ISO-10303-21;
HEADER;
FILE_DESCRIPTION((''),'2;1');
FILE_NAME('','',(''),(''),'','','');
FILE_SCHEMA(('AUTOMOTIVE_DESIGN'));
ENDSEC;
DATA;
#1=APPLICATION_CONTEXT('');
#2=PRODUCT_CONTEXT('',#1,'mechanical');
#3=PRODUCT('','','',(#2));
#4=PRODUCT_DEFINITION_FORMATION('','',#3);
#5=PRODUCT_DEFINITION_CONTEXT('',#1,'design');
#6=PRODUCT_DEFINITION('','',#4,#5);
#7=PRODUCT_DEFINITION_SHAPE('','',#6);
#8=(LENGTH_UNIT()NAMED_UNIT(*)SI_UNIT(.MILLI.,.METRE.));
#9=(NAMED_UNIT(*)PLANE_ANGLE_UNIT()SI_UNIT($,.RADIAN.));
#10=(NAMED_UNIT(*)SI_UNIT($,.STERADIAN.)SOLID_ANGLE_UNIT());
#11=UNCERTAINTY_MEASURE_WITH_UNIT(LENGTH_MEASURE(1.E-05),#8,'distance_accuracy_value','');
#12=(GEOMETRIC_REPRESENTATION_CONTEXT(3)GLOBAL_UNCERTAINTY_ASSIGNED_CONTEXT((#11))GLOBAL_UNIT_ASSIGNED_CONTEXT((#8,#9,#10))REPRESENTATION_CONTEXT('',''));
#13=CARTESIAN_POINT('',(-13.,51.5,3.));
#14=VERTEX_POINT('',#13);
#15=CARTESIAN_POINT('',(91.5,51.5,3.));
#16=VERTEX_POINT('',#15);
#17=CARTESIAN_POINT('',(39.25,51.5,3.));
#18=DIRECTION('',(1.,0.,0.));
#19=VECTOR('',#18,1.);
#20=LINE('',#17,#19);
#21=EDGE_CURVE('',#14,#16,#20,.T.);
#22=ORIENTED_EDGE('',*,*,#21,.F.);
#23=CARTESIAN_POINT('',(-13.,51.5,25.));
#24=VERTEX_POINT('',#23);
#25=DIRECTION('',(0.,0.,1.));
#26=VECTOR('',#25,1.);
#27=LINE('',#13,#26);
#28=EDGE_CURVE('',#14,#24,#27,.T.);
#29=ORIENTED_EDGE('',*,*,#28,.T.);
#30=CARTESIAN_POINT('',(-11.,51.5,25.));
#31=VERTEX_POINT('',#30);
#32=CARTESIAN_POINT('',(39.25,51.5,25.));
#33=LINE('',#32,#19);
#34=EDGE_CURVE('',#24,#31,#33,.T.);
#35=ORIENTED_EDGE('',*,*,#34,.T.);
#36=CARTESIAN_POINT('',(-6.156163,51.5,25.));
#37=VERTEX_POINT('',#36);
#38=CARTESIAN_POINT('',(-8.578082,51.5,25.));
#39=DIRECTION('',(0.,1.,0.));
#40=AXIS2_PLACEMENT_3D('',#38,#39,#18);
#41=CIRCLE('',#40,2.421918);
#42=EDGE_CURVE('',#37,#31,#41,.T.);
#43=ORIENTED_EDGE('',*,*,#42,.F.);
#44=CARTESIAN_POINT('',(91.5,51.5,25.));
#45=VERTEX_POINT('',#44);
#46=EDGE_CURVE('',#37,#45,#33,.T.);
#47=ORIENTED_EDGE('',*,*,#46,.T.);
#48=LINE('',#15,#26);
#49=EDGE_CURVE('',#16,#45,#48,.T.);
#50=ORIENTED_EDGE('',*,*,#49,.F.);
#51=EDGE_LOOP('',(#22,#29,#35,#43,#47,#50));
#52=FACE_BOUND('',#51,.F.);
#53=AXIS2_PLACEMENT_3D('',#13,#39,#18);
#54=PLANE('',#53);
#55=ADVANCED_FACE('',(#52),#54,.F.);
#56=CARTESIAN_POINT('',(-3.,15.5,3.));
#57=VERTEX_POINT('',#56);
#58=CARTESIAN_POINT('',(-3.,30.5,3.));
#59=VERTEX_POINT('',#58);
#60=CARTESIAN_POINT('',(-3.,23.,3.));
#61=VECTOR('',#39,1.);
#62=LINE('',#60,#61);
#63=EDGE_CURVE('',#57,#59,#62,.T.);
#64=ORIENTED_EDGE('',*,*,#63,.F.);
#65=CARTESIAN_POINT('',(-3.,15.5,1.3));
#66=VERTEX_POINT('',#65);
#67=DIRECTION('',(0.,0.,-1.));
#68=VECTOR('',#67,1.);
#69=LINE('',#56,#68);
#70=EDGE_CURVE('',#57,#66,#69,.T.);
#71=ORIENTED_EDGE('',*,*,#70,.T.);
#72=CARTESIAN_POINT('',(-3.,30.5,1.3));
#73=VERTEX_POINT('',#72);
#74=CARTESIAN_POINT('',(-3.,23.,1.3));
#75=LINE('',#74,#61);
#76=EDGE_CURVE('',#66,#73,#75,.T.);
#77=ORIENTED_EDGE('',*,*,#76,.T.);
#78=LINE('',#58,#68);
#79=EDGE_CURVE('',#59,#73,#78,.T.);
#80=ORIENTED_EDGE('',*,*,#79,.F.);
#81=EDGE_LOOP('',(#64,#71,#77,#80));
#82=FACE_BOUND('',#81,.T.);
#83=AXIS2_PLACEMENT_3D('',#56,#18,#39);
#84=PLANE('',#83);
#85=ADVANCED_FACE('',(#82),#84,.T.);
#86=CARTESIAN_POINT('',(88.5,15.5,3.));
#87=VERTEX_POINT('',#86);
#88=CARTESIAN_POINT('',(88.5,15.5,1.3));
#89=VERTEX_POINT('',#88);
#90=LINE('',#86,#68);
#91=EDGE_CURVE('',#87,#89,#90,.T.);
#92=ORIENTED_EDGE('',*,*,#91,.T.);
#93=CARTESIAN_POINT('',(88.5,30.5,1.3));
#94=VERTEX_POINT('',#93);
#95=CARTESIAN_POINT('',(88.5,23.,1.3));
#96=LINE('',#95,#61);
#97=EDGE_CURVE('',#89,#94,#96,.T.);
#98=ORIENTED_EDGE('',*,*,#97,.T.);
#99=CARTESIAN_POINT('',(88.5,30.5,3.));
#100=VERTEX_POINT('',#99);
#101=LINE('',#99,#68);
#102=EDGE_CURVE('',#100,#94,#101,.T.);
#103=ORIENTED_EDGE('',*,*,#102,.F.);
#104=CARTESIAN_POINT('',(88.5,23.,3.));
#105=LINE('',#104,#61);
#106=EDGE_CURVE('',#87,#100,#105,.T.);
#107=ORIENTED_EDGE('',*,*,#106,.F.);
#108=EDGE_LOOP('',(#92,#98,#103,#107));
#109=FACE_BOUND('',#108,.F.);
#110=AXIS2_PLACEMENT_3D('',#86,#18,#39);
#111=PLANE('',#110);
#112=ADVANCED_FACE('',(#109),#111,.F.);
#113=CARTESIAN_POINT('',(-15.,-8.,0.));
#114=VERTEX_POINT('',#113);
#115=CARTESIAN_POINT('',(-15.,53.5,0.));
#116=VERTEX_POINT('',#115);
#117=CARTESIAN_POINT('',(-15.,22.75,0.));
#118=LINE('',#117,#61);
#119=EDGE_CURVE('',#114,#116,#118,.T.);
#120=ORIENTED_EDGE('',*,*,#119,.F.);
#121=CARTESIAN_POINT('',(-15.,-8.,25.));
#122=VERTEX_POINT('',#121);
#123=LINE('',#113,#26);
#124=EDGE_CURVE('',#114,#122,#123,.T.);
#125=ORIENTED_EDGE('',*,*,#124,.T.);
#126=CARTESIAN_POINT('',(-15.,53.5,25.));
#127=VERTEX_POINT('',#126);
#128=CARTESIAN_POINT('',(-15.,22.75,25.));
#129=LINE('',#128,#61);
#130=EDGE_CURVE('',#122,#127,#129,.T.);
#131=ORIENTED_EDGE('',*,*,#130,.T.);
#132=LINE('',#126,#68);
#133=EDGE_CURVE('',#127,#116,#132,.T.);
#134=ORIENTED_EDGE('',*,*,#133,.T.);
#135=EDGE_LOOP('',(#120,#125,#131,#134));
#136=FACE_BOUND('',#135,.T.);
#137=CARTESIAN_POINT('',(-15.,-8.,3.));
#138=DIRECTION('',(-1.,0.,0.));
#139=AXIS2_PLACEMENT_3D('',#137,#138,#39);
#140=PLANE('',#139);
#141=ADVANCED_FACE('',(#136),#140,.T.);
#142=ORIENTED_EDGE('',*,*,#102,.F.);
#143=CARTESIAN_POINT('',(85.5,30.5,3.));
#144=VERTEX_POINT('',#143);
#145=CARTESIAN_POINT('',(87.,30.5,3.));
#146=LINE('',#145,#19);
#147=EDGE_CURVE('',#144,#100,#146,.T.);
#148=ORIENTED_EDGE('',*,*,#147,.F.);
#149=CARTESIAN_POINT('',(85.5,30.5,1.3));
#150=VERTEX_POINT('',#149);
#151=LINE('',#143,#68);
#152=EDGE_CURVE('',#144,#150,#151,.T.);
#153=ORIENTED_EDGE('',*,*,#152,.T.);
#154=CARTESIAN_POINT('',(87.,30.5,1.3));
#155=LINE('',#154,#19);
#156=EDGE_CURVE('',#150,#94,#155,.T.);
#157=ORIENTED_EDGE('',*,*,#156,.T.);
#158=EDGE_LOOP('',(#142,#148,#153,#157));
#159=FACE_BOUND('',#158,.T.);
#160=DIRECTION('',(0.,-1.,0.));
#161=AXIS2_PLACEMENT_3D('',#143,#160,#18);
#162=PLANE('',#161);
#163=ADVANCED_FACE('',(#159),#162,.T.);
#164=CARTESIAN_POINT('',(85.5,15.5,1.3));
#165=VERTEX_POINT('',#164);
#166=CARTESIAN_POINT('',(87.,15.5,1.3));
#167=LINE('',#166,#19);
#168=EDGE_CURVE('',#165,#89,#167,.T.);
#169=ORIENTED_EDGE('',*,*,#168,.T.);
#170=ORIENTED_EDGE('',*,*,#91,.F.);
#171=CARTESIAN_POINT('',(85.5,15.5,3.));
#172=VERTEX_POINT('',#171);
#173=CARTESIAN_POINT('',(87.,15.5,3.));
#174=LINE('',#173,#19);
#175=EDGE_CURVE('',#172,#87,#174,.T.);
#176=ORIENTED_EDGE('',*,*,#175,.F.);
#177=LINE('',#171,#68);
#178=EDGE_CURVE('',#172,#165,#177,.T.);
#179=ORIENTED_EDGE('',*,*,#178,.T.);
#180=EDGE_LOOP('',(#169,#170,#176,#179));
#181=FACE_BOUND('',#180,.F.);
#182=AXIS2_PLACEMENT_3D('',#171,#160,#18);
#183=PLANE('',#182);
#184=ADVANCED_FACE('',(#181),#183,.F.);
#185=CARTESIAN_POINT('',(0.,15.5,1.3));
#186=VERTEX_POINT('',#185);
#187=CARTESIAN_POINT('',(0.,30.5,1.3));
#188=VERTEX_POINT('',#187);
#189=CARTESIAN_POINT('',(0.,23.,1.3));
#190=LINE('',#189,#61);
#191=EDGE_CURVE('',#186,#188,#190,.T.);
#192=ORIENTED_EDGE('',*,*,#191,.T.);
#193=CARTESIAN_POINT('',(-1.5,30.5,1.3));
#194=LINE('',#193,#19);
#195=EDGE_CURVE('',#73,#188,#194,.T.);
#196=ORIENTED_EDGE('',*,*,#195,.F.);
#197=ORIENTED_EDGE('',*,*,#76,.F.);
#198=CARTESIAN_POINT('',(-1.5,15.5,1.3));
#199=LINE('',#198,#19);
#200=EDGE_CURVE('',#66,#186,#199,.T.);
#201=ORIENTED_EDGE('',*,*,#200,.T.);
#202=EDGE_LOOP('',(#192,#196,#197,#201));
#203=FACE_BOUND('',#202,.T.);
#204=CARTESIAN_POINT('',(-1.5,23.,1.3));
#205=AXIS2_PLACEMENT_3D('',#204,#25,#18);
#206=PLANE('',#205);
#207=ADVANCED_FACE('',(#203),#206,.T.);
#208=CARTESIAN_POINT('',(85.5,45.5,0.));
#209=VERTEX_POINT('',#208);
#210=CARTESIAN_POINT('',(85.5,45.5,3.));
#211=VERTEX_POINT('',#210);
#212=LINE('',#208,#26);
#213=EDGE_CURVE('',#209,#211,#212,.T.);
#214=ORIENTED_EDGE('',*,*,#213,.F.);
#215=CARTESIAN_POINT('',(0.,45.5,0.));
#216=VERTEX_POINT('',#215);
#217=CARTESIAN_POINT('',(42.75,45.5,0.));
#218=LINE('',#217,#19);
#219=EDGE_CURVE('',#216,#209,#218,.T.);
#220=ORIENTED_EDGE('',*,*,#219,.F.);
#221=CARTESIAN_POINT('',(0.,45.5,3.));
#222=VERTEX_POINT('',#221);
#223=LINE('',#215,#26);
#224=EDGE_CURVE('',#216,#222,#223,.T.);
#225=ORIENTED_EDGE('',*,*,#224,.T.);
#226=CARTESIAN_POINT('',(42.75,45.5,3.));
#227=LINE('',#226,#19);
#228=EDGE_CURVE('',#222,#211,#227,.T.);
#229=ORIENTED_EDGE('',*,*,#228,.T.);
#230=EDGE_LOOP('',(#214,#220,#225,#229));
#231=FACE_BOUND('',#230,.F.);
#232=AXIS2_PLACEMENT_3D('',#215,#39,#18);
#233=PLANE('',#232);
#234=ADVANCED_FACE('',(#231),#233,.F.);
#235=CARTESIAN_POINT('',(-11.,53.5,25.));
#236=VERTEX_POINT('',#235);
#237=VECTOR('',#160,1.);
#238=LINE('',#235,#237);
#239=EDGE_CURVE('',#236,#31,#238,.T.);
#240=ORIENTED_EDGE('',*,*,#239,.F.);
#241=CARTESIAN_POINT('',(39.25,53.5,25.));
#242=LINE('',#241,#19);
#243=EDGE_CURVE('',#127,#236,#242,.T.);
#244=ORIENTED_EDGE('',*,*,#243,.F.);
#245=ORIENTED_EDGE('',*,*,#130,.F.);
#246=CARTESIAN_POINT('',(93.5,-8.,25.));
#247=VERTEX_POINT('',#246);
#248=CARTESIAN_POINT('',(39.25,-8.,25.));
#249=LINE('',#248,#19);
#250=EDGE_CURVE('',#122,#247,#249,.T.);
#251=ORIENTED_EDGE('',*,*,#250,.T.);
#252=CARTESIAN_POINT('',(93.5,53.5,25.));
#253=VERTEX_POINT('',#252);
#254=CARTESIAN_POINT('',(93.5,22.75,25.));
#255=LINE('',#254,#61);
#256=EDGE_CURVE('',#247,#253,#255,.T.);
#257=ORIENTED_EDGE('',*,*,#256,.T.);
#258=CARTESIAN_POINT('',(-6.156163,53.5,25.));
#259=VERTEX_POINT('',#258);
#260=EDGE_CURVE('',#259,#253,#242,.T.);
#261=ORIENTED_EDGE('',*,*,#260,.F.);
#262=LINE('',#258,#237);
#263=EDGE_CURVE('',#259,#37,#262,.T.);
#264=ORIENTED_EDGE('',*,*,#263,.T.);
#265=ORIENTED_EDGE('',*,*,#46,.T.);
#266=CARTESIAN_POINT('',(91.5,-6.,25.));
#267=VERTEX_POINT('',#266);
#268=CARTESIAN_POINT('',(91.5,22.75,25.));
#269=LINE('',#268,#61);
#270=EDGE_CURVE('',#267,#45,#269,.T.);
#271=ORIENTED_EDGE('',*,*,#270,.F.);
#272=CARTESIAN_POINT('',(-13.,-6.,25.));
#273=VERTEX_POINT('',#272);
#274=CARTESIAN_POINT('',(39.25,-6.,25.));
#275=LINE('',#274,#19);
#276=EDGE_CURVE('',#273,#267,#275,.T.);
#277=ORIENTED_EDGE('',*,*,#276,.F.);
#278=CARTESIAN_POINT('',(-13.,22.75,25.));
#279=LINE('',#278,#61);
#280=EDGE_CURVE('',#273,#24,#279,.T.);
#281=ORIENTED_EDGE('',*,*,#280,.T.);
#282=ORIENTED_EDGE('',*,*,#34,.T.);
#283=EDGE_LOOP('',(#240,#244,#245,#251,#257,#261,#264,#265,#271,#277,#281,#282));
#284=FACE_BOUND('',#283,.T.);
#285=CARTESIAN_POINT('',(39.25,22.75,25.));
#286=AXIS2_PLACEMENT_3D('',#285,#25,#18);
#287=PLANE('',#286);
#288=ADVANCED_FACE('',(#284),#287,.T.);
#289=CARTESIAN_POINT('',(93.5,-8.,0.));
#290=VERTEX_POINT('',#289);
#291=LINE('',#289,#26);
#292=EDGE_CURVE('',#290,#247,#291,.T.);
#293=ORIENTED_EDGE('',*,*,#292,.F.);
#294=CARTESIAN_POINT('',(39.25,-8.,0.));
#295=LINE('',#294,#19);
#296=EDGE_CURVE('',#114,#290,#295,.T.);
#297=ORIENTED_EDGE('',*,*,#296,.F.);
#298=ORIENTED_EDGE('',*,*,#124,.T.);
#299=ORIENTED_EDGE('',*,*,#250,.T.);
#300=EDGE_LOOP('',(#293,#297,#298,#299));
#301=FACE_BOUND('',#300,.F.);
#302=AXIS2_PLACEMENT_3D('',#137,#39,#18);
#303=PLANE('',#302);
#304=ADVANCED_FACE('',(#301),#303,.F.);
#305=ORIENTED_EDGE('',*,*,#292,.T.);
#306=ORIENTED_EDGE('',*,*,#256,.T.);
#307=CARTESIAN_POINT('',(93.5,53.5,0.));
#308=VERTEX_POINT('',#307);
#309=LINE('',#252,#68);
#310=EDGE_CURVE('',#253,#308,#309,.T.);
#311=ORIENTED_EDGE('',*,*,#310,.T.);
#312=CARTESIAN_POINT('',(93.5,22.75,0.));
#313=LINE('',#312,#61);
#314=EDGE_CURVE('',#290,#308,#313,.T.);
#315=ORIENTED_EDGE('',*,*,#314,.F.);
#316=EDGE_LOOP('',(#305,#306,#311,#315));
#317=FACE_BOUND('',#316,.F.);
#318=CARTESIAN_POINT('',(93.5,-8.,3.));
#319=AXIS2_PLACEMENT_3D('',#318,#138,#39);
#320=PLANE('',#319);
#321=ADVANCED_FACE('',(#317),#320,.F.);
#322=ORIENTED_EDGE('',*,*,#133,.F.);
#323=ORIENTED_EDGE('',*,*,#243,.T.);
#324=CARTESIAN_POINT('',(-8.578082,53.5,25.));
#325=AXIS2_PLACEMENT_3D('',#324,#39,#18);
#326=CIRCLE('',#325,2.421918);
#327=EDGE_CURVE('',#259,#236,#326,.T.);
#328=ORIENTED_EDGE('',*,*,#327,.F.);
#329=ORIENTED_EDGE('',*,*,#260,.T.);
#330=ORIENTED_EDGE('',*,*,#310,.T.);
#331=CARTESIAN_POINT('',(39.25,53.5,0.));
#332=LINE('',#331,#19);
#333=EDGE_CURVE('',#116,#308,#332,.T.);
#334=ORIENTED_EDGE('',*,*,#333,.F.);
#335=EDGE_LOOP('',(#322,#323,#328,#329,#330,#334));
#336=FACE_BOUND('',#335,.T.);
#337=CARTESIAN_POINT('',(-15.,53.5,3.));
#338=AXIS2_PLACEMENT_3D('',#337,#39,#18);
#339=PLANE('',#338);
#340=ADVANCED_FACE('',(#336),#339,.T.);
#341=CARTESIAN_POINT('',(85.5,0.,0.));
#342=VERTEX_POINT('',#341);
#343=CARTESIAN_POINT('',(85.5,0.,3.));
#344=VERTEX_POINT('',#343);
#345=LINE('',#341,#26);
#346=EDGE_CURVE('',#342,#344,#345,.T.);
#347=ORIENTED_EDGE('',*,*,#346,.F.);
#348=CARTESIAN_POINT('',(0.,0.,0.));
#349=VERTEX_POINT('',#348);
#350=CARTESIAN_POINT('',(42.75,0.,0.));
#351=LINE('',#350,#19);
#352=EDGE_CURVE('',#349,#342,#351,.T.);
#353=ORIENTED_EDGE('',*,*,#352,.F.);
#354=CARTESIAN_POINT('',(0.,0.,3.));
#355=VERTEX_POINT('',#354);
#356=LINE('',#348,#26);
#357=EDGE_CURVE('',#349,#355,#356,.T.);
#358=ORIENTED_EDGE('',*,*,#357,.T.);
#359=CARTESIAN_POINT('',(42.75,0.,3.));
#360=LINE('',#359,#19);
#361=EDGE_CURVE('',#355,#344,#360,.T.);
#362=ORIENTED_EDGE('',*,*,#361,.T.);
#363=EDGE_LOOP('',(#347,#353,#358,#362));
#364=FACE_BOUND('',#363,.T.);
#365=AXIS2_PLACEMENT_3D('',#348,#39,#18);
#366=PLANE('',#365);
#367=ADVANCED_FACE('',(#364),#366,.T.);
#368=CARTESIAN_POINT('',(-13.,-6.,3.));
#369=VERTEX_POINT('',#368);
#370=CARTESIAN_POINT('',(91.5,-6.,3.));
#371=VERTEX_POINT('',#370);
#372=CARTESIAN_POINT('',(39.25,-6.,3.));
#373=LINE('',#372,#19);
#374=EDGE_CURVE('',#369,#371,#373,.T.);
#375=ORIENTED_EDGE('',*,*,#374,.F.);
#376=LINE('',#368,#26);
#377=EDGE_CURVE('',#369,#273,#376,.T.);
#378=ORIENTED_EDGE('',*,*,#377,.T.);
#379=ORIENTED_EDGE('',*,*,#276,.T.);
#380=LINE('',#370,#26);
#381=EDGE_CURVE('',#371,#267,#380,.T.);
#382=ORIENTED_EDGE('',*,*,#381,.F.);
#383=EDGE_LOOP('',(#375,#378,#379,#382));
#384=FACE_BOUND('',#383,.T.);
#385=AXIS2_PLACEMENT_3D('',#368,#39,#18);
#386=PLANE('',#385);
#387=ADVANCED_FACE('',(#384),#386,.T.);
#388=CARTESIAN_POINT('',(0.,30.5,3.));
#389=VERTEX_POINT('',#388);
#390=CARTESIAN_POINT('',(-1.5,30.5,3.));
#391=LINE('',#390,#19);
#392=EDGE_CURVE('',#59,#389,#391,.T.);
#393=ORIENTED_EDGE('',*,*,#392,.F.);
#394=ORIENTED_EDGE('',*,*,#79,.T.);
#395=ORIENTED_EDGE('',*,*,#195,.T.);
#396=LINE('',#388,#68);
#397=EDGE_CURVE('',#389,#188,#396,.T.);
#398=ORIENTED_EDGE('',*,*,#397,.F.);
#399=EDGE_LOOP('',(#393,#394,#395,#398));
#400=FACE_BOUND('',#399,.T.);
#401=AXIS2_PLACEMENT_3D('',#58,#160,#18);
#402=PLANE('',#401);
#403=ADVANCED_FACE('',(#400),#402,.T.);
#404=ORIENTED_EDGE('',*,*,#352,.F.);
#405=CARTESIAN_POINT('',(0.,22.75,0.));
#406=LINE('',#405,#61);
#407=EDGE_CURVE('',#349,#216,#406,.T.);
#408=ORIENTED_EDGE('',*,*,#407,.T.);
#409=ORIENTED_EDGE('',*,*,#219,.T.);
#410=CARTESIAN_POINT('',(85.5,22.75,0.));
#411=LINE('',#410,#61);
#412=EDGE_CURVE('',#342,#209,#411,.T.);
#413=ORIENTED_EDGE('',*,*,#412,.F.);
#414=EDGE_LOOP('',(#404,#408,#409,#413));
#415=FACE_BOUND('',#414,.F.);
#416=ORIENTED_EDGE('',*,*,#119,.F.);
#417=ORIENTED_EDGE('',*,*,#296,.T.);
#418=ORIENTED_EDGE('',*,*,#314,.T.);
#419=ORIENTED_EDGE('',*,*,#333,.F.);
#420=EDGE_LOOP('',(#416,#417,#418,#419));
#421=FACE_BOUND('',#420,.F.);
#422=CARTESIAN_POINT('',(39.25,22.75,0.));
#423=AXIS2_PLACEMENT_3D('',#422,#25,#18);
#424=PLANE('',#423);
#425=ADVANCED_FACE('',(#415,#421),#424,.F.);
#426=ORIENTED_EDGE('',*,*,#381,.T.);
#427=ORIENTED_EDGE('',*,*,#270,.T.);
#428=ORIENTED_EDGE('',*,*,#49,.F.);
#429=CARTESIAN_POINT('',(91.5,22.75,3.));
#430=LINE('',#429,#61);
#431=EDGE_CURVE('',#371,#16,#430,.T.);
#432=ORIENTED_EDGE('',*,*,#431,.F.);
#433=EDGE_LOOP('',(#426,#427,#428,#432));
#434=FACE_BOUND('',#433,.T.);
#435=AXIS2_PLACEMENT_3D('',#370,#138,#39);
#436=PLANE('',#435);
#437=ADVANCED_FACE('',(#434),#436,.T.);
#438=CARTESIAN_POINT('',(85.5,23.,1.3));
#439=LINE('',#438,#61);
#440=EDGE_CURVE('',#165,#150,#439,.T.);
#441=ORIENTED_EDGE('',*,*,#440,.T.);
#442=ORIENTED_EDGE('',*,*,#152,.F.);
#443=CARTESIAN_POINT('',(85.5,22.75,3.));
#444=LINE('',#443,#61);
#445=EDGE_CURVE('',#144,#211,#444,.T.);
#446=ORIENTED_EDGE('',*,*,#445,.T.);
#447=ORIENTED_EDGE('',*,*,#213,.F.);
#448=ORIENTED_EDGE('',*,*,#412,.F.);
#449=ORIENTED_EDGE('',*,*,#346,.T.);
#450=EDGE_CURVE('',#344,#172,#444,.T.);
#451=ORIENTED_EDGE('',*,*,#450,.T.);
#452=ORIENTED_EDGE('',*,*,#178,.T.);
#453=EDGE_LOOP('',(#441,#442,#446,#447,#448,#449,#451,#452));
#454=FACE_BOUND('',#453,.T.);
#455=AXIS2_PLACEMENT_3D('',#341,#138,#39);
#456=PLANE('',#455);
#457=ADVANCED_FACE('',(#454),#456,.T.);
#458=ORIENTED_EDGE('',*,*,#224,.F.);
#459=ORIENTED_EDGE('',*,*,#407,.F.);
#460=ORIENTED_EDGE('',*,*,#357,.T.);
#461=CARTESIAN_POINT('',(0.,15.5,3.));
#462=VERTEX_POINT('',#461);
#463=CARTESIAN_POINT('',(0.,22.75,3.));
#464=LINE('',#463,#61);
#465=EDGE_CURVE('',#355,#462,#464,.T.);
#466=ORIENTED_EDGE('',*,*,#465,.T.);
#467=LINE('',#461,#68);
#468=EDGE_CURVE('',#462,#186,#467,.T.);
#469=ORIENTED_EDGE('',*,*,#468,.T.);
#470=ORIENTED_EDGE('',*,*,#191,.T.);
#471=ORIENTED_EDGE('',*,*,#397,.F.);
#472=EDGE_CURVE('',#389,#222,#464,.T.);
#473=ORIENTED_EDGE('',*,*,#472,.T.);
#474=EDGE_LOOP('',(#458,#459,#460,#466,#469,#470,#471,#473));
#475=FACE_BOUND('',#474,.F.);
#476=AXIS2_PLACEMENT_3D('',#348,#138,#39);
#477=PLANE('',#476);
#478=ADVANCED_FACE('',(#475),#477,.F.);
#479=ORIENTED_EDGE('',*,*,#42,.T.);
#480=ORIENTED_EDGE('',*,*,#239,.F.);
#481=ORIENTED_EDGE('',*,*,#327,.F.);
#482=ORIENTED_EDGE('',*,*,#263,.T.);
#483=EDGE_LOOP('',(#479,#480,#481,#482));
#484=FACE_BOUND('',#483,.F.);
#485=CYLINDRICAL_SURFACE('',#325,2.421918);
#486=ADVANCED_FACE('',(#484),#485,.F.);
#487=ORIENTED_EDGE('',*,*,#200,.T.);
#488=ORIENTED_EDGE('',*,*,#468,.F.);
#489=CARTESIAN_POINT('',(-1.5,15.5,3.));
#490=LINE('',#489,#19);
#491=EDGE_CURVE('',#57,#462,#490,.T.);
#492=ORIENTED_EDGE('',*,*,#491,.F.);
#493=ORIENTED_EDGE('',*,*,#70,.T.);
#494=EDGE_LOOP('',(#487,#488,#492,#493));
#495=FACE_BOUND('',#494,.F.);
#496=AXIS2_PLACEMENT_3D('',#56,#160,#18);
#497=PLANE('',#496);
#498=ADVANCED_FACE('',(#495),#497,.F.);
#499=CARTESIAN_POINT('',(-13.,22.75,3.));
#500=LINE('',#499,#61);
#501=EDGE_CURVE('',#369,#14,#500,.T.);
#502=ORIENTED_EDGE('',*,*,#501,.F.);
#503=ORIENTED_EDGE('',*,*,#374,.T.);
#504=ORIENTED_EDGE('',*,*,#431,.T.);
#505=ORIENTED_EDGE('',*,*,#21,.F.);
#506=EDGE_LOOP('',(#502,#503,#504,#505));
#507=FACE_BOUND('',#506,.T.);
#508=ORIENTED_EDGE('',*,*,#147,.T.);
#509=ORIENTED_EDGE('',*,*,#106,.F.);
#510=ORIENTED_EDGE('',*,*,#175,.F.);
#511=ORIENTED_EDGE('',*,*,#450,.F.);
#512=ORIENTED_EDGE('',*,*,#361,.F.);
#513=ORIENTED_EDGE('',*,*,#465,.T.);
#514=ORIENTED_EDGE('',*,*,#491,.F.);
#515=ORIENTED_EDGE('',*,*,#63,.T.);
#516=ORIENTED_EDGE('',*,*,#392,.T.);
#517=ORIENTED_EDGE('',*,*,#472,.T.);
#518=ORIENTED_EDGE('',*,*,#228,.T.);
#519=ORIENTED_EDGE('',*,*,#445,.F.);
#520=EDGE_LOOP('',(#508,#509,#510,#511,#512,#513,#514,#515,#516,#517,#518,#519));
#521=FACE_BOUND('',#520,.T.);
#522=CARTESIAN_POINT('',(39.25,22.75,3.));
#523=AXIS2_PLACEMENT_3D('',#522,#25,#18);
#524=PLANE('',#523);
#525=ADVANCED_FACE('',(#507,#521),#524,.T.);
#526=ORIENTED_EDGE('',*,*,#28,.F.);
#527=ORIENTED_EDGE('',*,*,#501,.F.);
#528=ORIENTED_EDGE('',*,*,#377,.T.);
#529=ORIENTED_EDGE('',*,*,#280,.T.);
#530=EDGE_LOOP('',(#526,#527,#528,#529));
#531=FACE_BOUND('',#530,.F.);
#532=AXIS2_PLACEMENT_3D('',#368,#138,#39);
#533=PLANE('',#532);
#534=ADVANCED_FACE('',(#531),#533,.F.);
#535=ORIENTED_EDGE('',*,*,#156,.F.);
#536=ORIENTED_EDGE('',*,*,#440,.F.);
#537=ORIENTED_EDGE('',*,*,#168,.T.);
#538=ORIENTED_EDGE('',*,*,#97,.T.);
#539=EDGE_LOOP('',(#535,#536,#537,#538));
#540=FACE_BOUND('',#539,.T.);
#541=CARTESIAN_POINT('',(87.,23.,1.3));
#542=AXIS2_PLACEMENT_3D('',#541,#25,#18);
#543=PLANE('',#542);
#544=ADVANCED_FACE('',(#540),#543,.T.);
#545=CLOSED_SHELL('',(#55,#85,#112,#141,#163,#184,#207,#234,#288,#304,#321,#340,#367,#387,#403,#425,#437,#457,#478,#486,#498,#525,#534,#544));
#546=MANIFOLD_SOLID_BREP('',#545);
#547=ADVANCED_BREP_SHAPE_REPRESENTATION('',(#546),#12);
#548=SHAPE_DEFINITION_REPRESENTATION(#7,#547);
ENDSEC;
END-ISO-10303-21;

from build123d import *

# Parameters (mm, degrees)
F0_W     = 108.5
F0_H     = 61.5
F0_W_2   = 85.5
F0_H_2   = 45.5
F1_DEPTH = 3
F2_W     = 3
F2_H     = 15
F3_DEPTH = 1.7
F4_W     = 108.5
F4_H     = 61.5
F4_W_2   = 104.5
F4_H_2   = 57.5
F5_DEPTH = 22
F7_DEPTH = 2


with BuildPart() as f1:
    # F0 (on Top) → F1 (new body)
    with BuildSketch(Plane.XY):
        with Locations((39.25, 22.75)):
            Rectangle(F0_W, F0_H)
        with Locations((42.75, 22.75)):
            Rectangle(F0_W_2, F0_H_2, mode=Mode.SUBTRACT)
    extrude(amount=F1_DEPTH)

    # F2 (on face) → F3 (cut, through all)
    with BuildSketch(Plane.XY.offset(3)):
        with Locations((-1.5, 23)):
            Rectangle(F2_W, F2_H)
        with Locations((87, 23)):
            Rectangle(F2_W, F2_H)
    extrude(amount=-F3_DEPTH, mode=Mode.SUBTRACT)

    # F4 (on face) → F5 (join)
    with BuildSketch(Plane.XY.offset(3)):
        with Locations((39.25, 22.75)):
            Rectangle(F4_W, F4_H)
        with Locations((39.25, 22.75)):
            Rectangle(F4_W_2, F4_H_2, mode=Mode.SUBTRACT)
    extrude(amount=F5_DEPTH)

    # F6 (on face) → F7 (cut, through all)
    with BuildSketch(Plane(origin=(0, 53.5, 0), x_dir=(-1, 0, 0), z_dir=(0, 1, 0))):
        with BuildLine():
            Line((11, 25), (6.1561632305, 25))
            ThreePointArc((6.1561632305, 25), (8.5780816153, 22.5780816153), (11, 25))
        make_face()
    extrude(amount=-F7_DEPTH, mode=Mode.SUBTRACT)


solid = f1.part
